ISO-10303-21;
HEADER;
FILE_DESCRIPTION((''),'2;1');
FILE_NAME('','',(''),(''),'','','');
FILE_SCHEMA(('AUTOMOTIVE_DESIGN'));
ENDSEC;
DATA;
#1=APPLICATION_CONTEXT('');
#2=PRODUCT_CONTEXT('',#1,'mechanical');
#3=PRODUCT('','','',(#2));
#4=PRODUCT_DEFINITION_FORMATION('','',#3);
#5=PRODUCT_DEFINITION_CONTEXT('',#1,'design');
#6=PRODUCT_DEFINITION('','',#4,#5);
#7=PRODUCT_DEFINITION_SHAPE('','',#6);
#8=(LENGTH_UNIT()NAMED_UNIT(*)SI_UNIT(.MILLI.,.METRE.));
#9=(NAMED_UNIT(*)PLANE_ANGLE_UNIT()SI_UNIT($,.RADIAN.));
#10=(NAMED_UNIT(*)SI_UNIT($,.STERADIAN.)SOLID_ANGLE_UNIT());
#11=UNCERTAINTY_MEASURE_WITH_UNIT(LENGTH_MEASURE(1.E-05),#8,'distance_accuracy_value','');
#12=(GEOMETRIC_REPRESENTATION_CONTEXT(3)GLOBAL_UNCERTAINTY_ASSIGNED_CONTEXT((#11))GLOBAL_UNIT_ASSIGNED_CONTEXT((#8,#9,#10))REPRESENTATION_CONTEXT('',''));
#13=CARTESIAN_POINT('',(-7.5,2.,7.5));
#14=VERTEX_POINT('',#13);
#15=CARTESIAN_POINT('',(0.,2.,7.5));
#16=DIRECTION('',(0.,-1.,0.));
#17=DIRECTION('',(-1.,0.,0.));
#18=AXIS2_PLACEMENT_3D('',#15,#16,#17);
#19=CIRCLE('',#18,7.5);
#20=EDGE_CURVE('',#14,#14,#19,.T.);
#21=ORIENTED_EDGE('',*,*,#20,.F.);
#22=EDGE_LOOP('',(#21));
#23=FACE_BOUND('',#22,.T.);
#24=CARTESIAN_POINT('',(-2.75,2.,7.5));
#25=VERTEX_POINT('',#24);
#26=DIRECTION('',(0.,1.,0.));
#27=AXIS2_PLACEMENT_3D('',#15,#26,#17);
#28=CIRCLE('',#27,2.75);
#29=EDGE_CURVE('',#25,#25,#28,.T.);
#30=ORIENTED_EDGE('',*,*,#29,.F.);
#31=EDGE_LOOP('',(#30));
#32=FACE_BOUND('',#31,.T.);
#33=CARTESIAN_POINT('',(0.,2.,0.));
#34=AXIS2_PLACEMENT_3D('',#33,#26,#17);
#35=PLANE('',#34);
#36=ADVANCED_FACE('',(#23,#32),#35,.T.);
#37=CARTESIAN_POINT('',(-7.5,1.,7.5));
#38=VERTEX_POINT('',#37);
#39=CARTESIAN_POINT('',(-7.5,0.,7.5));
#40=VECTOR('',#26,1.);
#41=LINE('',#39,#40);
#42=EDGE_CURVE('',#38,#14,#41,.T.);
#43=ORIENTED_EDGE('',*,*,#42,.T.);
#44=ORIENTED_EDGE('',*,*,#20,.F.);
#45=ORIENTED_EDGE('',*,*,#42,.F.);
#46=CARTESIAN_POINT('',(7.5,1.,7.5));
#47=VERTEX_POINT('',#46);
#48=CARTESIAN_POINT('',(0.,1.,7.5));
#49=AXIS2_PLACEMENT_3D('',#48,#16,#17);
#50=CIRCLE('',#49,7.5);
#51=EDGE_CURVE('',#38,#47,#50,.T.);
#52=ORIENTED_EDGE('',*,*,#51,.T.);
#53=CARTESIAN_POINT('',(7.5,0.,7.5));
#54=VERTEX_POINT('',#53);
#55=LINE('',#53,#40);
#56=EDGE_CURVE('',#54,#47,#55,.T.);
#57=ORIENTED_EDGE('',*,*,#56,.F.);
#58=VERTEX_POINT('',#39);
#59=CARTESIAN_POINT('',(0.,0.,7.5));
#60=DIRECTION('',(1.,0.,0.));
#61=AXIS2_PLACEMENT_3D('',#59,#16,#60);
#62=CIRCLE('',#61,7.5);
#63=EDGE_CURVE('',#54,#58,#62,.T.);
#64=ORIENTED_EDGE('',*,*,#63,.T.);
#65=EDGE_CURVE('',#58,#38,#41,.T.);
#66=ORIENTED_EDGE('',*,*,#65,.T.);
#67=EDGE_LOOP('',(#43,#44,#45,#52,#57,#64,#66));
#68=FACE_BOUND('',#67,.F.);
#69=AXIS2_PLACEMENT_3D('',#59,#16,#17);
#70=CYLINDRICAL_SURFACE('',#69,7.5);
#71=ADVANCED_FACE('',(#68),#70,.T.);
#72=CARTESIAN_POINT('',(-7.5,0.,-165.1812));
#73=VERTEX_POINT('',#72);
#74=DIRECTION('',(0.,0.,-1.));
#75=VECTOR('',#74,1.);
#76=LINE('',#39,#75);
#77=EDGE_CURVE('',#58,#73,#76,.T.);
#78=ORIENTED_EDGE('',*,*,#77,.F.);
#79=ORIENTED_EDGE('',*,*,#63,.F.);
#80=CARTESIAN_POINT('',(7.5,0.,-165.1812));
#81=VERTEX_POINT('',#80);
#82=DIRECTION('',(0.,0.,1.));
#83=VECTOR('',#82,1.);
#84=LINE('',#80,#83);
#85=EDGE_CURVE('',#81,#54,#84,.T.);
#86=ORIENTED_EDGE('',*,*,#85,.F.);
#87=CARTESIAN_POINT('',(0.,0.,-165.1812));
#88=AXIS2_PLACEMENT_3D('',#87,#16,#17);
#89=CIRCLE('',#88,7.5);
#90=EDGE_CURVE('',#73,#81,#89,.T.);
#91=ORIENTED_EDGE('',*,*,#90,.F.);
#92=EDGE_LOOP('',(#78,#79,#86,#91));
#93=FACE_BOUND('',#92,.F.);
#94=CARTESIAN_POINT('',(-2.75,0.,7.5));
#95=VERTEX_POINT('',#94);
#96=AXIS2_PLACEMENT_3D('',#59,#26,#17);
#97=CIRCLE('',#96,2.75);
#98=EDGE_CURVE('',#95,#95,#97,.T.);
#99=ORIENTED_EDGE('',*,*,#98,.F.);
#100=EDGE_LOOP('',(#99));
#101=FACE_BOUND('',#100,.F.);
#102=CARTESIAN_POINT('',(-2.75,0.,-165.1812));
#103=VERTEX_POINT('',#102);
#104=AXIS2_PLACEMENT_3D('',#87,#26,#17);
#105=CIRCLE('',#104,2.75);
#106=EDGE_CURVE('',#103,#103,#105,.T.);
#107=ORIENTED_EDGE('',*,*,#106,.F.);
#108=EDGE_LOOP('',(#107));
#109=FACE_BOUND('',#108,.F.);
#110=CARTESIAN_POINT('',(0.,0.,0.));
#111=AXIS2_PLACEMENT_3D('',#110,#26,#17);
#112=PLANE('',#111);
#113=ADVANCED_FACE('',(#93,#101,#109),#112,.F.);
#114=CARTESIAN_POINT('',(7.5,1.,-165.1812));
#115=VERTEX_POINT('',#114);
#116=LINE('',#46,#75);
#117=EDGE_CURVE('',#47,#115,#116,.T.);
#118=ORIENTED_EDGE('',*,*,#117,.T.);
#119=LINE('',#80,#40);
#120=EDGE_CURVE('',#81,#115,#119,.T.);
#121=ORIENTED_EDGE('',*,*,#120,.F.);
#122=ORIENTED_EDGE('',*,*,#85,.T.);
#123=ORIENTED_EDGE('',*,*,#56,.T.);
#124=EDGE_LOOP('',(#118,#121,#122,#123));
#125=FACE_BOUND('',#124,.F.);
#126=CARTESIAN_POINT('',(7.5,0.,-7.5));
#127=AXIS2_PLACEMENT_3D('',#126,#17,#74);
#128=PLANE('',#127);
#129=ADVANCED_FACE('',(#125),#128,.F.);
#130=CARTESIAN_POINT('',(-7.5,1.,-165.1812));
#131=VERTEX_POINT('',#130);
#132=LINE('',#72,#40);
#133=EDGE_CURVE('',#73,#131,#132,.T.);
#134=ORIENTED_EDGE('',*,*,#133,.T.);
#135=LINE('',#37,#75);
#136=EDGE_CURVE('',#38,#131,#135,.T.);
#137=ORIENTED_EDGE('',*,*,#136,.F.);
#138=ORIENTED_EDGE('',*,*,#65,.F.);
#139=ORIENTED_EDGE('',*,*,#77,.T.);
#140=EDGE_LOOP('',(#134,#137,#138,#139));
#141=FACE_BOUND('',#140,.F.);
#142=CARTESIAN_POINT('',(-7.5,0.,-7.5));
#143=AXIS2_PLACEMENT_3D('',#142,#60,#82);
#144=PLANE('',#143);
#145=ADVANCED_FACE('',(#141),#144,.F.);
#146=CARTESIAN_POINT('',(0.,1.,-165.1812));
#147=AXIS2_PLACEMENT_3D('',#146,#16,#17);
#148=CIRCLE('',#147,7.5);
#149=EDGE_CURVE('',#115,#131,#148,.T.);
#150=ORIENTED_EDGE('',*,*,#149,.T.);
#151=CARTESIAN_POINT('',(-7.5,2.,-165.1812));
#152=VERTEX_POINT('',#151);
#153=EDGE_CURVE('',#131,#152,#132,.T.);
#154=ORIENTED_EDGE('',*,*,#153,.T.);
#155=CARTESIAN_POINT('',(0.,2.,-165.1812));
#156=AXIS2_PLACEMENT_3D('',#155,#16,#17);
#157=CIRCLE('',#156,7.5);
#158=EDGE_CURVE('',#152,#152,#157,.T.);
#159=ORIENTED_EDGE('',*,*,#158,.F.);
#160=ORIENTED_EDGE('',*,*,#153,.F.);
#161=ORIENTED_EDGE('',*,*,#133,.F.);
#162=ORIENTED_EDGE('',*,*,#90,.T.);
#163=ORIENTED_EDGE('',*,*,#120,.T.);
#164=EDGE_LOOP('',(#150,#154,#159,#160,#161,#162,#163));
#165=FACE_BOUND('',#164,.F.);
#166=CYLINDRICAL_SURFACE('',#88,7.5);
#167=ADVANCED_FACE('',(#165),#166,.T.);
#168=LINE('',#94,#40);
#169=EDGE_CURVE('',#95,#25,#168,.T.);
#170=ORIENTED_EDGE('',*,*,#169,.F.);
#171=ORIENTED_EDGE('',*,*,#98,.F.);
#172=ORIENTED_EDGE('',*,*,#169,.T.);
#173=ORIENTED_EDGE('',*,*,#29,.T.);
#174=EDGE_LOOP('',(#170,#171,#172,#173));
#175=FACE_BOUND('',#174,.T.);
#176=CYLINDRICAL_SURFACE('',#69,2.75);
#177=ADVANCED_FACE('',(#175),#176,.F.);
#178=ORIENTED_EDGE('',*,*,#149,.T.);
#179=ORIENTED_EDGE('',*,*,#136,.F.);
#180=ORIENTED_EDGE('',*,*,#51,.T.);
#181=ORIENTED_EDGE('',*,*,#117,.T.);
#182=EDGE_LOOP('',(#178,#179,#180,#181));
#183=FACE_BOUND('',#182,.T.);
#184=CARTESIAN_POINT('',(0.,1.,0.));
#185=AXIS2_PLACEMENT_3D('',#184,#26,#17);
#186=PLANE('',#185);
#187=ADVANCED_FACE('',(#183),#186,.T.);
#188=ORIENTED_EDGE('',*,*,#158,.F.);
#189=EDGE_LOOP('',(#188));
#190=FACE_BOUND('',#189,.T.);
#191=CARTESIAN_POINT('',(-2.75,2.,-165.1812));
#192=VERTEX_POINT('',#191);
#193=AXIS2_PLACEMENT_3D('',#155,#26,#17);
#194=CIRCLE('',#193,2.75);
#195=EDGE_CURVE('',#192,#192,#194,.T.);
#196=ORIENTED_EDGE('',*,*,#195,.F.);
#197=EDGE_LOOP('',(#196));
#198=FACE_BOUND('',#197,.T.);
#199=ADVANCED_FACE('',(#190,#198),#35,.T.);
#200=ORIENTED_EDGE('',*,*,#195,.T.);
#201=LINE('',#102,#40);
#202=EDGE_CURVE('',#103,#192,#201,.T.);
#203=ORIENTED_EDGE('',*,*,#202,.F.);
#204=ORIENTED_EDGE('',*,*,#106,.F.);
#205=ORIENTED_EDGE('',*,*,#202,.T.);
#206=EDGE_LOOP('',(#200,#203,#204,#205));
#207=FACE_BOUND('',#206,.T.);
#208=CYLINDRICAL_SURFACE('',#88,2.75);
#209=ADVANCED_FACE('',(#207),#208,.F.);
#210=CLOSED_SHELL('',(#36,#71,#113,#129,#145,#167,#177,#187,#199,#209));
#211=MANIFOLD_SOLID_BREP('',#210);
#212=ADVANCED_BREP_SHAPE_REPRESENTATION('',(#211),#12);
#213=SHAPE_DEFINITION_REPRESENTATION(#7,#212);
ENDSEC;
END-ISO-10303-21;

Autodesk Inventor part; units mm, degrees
ref_plane "YZ Plane" through (0, 0, 0) normal (1, 0, 0) x (0, 1, 0)
ref_plane "XZ Plane" through (0, 0, 0) normal (0, 1, 0) x (-1, 0, 0)
ref_plane "XY Plane" through (0, 0, 0) normal (0, 0, 1) x (1, 0, 0)
sketch "Sketch1" plane through (0, 0, 0) normal (0, 1, 0) x (-1, 0, 0)
  line L0 (0, 0) -> (0, -157.6812)
  line L1 (0, 0) -> (157.6812, 0) construction
  line L2 (0, 0) -> (7.5, 0)
  line L3 (7.5, 0) -> (-7.5, 0)
  line L4 (-7.5, 0) -> (-7.5, -15)
  line L5 (-7.5, -15) -> (7.5, -15)
  line L6 (7.5, -15) -> (7.5, 0)
  circle A0 centre (0, -7.5) radius 7.5
  line L7 (-7.5, -78.8406) -> (7.5, -78.8406)
  circle A1 centre (0, -150.1812) radius 7.5
  line L8 (-7.5, 0) -> (7.5, 0)
  line L9 (7.5, 0) -> (7.5, -157.6812)
  line L10 (7.5, -157.6812) -> (-7.5, -157.6812)
  line L11 (-7.5, -157.6812) -> (-7.5, 0)
  circle A2 centre (0, -7.5) radius 2.75
  circle A3 centre (0, -150.1812) radius 2.75
  line L12 (7.5, 0) -> (-7.5, 0)
  line L13 (-7.5, 0) -> (-7.5, 15)
  line L14 (-7.5, 15) -> (7.5, 15)
  line L15 (7.5, 15) -> (7.5, 0)
  line L16 (7.5, -157.6812) -> (-7.5, -157.6812)
  line L17 (-7.5, -157.6812) -> (-7.5, -172.6812)
  line L18 (-7.5, -172.6812) -> (7.5, -172.6812)
  line L19 (7.5, -172.6812) -> (7.5, -157.6812)
  circle A4 centre (0, 7.5) radius 7.5
  circle A5 centre (0, -165.1812) radius 7.5
  circle A6 centre (0, 7.5) radius 2.75
  circle A7 centre (0, -165.1812) radius 2.75
  point P0 (7.5, -7.5)
  point P1 (-7.5, -7.5)
  point P2 (-7.5, -150.1812)
  point P3 (7.5, -150.1812)
  point P4 (-7.5, -165.1812)
  point P5 (7.5, -165.1812)
  point P6 (7.5, 7.5)
  point P7 (-7.5, 7.5)
  dimension "d0" = 157.6812
  dimension "d1" = 90
  dimension "d2" = 7.5
  dimension "d3" = 15
  dimension "d4" = 15
  dimension "d5" = 5.5
  dimension "d6" = 5.5
  dimension "d11" = 15
  dimension "d12" = 15
  dimension "d13" = 5.5
  dimension "d14" = 5.5
extrude "Extrusion1" add sketch "Sketch1" along normal blind 1 contours A0 L0 A2 | A4 L15 L2 | A0 L4 L3 | L2 L6 A0 | L0 A2 A0 | A4 | L3 L13 A4 | A2 L0 | L0 A2 | L6 L5 A0 | A0 L5 L4 | L9 L7 L0 L5 | L0 L7 L11 L5 | L9 A1 L0 L7 | L0 A1 L11 L7 | L9 L10 A1 | A1 L0 A3 | L0 A3 A1 | A1 L10 L11 | A5 L17 L10 | L10 L19 A5 | A5 | A3 L0 | L0 A3
extrude "Extrusion2" add sketch "Sketch1" along normal blind 2 contours A4 | A5
properties part number "kozepsoszalag2"
